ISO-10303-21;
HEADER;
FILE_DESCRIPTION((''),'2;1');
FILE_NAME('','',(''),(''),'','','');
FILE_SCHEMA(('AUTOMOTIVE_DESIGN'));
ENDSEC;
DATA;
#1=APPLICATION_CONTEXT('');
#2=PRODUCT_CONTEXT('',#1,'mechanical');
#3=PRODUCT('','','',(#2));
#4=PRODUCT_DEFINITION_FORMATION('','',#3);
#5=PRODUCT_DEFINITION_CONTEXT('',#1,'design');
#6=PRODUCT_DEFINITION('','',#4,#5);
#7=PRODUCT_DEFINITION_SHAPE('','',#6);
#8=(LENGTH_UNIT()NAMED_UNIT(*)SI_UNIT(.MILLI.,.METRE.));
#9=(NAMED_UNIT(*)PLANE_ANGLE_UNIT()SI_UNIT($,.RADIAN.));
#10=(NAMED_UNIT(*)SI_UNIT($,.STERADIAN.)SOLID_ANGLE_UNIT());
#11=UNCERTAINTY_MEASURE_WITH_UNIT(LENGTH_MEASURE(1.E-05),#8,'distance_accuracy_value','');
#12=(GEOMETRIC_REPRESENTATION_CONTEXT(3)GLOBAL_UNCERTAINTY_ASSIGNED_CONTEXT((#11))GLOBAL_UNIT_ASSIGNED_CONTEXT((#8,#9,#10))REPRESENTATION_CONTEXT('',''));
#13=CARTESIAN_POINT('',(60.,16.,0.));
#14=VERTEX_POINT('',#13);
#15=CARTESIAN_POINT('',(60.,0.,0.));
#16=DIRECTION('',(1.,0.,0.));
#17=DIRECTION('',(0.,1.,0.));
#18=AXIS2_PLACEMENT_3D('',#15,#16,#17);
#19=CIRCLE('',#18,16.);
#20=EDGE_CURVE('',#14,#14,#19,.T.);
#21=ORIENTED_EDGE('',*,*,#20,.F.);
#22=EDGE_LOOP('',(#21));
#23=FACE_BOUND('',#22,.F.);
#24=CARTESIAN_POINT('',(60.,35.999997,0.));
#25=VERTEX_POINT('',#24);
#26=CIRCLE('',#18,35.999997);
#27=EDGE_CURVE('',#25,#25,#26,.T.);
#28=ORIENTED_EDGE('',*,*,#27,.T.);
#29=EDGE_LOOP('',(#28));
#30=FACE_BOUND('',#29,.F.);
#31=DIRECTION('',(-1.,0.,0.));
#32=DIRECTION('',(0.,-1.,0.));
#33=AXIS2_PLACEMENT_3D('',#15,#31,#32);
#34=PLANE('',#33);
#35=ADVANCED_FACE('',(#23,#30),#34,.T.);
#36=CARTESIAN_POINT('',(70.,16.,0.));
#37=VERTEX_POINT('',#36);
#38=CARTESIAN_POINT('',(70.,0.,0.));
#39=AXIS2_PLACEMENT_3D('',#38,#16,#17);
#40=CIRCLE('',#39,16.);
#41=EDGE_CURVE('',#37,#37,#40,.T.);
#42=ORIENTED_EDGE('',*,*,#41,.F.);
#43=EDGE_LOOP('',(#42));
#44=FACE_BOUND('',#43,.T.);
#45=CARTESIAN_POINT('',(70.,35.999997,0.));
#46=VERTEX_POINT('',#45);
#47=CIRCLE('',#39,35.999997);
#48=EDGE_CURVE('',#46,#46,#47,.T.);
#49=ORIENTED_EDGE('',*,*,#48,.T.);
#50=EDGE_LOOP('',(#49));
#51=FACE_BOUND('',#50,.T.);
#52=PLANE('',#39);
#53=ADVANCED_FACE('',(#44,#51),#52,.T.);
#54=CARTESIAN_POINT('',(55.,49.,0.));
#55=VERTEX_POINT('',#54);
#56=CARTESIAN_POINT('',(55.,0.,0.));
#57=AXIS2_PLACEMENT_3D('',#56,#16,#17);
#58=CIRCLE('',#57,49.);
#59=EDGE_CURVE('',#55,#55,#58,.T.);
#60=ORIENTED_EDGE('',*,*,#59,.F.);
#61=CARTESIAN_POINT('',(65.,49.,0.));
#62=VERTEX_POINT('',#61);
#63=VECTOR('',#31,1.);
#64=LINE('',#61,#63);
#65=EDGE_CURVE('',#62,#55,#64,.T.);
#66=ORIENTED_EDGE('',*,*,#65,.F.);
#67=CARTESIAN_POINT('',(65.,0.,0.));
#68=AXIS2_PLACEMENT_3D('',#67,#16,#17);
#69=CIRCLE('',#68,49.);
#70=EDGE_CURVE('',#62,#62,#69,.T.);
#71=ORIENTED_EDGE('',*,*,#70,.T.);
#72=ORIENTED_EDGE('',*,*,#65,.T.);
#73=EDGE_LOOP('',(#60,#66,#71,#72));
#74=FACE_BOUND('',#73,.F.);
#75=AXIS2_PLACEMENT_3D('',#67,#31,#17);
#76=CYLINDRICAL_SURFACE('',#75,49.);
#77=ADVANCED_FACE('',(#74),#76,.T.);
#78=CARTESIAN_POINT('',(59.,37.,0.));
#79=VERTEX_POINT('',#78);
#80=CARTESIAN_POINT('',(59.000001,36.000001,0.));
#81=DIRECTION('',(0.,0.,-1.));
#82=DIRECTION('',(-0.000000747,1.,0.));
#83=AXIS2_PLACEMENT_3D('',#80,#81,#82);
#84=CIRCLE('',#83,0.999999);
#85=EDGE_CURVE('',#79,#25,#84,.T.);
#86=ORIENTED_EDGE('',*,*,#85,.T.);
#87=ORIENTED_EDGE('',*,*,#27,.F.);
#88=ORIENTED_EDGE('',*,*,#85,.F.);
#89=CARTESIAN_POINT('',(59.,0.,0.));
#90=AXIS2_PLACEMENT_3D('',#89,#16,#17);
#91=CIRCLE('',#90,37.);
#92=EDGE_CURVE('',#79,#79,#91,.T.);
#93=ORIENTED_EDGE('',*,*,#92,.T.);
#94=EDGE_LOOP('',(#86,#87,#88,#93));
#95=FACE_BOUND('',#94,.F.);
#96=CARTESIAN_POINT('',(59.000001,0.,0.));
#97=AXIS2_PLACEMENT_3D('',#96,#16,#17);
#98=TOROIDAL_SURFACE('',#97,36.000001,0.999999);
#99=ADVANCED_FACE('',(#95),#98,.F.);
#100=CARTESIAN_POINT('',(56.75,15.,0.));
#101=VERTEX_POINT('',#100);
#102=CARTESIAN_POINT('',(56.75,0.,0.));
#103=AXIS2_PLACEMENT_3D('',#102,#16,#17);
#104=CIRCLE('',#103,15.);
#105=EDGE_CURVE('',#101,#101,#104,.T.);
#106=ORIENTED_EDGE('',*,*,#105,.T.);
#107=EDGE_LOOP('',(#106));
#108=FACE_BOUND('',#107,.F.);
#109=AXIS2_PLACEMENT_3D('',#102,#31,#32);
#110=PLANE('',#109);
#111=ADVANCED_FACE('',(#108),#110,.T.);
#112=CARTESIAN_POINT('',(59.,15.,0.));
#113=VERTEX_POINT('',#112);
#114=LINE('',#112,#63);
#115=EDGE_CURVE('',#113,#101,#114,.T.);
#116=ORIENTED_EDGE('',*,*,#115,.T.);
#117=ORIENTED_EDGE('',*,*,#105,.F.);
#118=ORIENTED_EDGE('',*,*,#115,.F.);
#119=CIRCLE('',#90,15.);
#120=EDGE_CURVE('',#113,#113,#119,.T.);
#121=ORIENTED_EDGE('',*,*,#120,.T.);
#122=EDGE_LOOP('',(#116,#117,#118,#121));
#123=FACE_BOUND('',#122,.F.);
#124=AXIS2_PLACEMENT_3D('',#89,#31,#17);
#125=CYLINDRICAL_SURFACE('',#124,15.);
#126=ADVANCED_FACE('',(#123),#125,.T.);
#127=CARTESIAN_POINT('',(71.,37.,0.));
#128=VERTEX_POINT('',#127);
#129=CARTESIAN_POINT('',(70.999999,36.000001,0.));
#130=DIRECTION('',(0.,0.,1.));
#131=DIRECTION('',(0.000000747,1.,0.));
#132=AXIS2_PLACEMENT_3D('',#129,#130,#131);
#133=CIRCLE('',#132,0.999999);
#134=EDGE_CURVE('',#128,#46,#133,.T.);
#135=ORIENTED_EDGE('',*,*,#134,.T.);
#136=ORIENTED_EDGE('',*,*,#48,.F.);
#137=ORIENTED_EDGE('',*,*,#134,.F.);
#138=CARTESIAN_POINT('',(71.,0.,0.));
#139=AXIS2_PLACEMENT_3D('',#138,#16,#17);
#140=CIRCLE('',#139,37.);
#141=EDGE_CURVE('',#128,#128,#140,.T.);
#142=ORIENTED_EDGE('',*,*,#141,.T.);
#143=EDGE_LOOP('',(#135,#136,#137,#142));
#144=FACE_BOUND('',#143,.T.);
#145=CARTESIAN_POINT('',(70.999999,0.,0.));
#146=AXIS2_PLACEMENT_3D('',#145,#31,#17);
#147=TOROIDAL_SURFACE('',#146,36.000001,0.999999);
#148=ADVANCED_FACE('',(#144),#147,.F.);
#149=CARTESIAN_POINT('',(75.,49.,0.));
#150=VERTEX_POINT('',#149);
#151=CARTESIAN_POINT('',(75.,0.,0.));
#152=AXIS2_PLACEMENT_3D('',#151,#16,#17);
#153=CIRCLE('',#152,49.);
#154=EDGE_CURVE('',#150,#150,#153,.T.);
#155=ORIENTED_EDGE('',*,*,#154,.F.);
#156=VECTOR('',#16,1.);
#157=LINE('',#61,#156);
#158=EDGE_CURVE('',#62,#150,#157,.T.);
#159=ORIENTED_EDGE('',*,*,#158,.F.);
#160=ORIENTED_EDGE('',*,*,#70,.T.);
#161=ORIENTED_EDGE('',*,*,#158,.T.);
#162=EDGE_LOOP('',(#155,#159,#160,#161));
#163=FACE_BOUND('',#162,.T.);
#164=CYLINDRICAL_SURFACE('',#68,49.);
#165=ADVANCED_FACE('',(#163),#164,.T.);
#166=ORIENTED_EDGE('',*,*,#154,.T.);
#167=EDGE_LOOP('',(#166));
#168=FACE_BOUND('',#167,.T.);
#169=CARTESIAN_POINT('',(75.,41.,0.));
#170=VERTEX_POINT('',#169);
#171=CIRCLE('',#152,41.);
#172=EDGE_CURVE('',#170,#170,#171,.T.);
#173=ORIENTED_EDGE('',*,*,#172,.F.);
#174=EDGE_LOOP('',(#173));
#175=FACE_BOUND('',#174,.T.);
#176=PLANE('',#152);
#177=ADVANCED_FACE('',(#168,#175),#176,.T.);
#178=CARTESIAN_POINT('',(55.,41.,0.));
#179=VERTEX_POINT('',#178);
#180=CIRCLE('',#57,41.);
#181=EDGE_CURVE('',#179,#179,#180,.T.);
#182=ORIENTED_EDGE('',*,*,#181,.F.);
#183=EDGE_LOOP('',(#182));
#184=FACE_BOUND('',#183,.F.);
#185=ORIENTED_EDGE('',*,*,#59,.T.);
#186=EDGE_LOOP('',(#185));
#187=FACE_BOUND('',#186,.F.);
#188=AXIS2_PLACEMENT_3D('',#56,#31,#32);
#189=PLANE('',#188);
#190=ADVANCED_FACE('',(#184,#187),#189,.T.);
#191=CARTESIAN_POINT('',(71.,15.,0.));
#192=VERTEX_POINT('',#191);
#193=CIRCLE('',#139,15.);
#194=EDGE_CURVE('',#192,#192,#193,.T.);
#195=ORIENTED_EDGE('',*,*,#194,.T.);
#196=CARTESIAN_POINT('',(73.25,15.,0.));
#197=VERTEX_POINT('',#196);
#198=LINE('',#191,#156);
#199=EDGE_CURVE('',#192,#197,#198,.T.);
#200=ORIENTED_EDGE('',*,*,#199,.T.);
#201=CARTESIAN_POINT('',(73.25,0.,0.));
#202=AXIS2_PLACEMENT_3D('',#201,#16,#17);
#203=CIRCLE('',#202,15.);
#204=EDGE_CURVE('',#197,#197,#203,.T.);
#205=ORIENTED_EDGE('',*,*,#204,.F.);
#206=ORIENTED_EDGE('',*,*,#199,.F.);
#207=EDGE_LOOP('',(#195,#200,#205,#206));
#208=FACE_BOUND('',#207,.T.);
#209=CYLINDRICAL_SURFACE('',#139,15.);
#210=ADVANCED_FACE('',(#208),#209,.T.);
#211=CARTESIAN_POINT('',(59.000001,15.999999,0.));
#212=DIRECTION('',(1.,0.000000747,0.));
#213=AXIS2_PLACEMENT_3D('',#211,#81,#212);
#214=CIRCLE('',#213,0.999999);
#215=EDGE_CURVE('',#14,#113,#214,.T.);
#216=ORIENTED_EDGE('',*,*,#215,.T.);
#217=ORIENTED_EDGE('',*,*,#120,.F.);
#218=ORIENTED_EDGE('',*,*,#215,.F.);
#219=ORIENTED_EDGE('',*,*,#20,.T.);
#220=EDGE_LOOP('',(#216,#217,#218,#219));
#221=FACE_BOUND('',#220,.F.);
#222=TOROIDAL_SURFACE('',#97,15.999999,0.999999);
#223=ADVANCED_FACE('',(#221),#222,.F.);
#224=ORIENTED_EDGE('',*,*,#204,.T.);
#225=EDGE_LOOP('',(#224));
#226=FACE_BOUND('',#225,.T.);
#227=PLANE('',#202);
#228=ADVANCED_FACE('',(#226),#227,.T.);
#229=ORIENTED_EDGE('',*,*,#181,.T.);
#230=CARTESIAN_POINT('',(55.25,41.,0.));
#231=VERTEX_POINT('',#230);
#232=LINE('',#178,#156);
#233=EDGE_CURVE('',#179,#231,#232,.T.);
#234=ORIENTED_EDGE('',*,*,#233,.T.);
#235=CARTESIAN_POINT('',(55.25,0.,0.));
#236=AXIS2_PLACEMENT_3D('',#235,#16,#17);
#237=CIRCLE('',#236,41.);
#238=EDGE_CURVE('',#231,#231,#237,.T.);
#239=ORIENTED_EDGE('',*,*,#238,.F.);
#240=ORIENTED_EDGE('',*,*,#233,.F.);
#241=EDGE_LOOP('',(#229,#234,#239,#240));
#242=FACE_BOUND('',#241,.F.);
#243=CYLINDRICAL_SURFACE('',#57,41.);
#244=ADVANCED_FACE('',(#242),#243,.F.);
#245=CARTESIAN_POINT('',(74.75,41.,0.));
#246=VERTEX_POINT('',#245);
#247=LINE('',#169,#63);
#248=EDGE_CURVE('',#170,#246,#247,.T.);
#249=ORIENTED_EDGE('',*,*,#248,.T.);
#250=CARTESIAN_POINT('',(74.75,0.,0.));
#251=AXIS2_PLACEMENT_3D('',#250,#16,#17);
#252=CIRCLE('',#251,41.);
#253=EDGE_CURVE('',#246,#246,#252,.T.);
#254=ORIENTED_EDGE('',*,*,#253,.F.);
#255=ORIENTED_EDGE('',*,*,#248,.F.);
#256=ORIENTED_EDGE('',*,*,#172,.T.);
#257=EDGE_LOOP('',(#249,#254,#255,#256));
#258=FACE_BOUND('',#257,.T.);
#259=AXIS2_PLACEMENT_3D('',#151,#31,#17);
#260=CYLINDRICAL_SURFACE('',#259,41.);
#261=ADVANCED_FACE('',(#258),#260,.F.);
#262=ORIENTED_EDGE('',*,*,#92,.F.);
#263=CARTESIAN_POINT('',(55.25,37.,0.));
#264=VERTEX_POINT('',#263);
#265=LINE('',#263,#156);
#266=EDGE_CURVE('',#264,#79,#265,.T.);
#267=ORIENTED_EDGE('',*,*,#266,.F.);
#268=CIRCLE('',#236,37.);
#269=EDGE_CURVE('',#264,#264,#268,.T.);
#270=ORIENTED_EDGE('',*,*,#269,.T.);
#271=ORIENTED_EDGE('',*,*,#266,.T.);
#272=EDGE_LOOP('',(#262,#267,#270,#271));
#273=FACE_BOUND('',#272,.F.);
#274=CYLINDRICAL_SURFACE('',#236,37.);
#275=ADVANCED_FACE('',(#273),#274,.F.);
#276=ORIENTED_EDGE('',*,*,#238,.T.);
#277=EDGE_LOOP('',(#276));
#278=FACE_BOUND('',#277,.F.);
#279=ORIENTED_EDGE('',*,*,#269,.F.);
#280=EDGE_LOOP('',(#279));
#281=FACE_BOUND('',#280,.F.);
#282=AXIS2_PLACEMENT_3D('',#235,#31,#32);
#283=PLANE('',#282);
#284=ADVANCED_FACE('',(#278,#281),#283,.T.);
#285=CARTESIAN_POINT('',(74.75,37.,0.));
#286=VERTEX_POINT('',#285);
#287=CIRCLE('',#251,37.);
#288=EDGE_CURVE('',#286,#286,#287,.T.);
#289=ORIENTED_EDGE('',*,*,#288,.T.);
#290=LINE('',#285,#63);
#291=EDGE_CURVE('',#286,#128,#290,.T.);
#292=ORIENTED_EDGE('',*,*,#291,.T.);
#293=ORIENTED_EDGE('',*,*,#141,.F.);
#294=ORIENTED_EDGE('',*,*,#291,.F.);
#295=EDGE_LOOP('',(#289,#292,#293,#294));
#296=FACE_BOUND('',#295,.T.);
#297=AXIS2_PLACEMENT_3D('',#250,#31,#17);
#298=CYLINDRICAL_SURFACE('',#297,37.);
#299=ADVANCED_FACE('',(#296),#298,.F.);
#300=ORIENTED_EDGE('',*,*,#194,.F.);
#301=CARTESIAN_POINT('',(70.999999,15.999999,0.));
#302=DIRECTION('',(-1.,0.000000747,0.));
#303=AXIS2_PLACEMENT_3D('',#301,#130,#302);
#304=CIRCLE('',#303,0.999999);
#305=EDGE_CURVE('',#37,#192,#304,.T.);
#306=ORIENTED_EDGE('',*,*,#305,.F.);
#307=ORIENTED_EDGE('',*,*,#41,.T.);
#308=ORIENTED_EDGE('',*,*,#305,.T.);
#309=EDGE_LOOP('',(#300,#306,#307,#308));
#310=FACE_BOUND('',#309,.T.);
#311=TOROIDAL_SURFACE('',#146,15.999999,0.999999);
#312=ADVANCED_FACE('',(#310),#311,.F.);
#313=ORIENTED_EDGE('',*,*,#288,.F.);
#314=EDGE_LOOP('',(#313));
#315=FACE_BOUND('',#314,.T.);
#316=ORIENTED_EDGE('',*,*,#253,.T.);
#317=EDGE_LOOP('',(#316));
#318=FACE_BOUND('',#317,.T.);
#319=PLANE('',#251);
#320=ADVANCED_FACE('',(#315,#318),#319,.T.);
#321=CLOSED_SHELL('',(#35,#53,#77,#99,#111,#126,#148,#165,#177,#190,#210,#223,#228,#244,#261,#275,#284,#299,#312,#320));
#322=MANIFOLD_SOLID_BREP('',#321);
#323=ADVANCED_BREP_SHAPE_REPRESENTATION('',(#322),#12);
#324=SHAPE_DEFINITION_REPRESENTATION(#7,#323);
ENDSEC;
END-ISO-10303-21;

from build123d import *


with BuildPart() as wheelhalf:
    # Sketch177 → Revolution009 (revolve)
    with BuildSketch(Plane.XY):
        with BuildLine():
            Line((0, 49), (10, 49))
            Line((10, 49), (10, 41))
            Line((10, 41), (9.75, 41))
            Line((9.75, 41), (9.75, 37))
            Line((9.75, 37), (6, 37))
            ThreePointArc((6, 37), (5.292892, 36.707106), (5, 35.999997))
            Line((5, 35.999997), (5, 16))
            ThreePointArc((5, 16), (5.292893, 15.292893), (6, 15))
            Line((6, 15), (8.25, 15))
            Line((8.25, 15), (8.25, 0))
            Line((8.25, 0), (0, 0))
            Line((0, 0), (0, 49))
        make_face()
    revolve(axis=Axis((0, 0, 0), (1, 0, 0)))


with BuildPart() as wheel:
    # Part__Mirroring010: instance of WheelHalf
    add(wheelhalf.part.mirror(Plane(origin=(0, 0, 0), x_dir=(0, -1, 0), z_dir=(1, 0, 0))))

    # Fusion004020026: union WheelHalf
    add(wheelhalf.part)


with BuildPart() as wheel_1:
    # Fusion004020026 placement: moved
    add(wheel.part.moved(Location((65, 0, 0))))


solid = wheel_1.part
